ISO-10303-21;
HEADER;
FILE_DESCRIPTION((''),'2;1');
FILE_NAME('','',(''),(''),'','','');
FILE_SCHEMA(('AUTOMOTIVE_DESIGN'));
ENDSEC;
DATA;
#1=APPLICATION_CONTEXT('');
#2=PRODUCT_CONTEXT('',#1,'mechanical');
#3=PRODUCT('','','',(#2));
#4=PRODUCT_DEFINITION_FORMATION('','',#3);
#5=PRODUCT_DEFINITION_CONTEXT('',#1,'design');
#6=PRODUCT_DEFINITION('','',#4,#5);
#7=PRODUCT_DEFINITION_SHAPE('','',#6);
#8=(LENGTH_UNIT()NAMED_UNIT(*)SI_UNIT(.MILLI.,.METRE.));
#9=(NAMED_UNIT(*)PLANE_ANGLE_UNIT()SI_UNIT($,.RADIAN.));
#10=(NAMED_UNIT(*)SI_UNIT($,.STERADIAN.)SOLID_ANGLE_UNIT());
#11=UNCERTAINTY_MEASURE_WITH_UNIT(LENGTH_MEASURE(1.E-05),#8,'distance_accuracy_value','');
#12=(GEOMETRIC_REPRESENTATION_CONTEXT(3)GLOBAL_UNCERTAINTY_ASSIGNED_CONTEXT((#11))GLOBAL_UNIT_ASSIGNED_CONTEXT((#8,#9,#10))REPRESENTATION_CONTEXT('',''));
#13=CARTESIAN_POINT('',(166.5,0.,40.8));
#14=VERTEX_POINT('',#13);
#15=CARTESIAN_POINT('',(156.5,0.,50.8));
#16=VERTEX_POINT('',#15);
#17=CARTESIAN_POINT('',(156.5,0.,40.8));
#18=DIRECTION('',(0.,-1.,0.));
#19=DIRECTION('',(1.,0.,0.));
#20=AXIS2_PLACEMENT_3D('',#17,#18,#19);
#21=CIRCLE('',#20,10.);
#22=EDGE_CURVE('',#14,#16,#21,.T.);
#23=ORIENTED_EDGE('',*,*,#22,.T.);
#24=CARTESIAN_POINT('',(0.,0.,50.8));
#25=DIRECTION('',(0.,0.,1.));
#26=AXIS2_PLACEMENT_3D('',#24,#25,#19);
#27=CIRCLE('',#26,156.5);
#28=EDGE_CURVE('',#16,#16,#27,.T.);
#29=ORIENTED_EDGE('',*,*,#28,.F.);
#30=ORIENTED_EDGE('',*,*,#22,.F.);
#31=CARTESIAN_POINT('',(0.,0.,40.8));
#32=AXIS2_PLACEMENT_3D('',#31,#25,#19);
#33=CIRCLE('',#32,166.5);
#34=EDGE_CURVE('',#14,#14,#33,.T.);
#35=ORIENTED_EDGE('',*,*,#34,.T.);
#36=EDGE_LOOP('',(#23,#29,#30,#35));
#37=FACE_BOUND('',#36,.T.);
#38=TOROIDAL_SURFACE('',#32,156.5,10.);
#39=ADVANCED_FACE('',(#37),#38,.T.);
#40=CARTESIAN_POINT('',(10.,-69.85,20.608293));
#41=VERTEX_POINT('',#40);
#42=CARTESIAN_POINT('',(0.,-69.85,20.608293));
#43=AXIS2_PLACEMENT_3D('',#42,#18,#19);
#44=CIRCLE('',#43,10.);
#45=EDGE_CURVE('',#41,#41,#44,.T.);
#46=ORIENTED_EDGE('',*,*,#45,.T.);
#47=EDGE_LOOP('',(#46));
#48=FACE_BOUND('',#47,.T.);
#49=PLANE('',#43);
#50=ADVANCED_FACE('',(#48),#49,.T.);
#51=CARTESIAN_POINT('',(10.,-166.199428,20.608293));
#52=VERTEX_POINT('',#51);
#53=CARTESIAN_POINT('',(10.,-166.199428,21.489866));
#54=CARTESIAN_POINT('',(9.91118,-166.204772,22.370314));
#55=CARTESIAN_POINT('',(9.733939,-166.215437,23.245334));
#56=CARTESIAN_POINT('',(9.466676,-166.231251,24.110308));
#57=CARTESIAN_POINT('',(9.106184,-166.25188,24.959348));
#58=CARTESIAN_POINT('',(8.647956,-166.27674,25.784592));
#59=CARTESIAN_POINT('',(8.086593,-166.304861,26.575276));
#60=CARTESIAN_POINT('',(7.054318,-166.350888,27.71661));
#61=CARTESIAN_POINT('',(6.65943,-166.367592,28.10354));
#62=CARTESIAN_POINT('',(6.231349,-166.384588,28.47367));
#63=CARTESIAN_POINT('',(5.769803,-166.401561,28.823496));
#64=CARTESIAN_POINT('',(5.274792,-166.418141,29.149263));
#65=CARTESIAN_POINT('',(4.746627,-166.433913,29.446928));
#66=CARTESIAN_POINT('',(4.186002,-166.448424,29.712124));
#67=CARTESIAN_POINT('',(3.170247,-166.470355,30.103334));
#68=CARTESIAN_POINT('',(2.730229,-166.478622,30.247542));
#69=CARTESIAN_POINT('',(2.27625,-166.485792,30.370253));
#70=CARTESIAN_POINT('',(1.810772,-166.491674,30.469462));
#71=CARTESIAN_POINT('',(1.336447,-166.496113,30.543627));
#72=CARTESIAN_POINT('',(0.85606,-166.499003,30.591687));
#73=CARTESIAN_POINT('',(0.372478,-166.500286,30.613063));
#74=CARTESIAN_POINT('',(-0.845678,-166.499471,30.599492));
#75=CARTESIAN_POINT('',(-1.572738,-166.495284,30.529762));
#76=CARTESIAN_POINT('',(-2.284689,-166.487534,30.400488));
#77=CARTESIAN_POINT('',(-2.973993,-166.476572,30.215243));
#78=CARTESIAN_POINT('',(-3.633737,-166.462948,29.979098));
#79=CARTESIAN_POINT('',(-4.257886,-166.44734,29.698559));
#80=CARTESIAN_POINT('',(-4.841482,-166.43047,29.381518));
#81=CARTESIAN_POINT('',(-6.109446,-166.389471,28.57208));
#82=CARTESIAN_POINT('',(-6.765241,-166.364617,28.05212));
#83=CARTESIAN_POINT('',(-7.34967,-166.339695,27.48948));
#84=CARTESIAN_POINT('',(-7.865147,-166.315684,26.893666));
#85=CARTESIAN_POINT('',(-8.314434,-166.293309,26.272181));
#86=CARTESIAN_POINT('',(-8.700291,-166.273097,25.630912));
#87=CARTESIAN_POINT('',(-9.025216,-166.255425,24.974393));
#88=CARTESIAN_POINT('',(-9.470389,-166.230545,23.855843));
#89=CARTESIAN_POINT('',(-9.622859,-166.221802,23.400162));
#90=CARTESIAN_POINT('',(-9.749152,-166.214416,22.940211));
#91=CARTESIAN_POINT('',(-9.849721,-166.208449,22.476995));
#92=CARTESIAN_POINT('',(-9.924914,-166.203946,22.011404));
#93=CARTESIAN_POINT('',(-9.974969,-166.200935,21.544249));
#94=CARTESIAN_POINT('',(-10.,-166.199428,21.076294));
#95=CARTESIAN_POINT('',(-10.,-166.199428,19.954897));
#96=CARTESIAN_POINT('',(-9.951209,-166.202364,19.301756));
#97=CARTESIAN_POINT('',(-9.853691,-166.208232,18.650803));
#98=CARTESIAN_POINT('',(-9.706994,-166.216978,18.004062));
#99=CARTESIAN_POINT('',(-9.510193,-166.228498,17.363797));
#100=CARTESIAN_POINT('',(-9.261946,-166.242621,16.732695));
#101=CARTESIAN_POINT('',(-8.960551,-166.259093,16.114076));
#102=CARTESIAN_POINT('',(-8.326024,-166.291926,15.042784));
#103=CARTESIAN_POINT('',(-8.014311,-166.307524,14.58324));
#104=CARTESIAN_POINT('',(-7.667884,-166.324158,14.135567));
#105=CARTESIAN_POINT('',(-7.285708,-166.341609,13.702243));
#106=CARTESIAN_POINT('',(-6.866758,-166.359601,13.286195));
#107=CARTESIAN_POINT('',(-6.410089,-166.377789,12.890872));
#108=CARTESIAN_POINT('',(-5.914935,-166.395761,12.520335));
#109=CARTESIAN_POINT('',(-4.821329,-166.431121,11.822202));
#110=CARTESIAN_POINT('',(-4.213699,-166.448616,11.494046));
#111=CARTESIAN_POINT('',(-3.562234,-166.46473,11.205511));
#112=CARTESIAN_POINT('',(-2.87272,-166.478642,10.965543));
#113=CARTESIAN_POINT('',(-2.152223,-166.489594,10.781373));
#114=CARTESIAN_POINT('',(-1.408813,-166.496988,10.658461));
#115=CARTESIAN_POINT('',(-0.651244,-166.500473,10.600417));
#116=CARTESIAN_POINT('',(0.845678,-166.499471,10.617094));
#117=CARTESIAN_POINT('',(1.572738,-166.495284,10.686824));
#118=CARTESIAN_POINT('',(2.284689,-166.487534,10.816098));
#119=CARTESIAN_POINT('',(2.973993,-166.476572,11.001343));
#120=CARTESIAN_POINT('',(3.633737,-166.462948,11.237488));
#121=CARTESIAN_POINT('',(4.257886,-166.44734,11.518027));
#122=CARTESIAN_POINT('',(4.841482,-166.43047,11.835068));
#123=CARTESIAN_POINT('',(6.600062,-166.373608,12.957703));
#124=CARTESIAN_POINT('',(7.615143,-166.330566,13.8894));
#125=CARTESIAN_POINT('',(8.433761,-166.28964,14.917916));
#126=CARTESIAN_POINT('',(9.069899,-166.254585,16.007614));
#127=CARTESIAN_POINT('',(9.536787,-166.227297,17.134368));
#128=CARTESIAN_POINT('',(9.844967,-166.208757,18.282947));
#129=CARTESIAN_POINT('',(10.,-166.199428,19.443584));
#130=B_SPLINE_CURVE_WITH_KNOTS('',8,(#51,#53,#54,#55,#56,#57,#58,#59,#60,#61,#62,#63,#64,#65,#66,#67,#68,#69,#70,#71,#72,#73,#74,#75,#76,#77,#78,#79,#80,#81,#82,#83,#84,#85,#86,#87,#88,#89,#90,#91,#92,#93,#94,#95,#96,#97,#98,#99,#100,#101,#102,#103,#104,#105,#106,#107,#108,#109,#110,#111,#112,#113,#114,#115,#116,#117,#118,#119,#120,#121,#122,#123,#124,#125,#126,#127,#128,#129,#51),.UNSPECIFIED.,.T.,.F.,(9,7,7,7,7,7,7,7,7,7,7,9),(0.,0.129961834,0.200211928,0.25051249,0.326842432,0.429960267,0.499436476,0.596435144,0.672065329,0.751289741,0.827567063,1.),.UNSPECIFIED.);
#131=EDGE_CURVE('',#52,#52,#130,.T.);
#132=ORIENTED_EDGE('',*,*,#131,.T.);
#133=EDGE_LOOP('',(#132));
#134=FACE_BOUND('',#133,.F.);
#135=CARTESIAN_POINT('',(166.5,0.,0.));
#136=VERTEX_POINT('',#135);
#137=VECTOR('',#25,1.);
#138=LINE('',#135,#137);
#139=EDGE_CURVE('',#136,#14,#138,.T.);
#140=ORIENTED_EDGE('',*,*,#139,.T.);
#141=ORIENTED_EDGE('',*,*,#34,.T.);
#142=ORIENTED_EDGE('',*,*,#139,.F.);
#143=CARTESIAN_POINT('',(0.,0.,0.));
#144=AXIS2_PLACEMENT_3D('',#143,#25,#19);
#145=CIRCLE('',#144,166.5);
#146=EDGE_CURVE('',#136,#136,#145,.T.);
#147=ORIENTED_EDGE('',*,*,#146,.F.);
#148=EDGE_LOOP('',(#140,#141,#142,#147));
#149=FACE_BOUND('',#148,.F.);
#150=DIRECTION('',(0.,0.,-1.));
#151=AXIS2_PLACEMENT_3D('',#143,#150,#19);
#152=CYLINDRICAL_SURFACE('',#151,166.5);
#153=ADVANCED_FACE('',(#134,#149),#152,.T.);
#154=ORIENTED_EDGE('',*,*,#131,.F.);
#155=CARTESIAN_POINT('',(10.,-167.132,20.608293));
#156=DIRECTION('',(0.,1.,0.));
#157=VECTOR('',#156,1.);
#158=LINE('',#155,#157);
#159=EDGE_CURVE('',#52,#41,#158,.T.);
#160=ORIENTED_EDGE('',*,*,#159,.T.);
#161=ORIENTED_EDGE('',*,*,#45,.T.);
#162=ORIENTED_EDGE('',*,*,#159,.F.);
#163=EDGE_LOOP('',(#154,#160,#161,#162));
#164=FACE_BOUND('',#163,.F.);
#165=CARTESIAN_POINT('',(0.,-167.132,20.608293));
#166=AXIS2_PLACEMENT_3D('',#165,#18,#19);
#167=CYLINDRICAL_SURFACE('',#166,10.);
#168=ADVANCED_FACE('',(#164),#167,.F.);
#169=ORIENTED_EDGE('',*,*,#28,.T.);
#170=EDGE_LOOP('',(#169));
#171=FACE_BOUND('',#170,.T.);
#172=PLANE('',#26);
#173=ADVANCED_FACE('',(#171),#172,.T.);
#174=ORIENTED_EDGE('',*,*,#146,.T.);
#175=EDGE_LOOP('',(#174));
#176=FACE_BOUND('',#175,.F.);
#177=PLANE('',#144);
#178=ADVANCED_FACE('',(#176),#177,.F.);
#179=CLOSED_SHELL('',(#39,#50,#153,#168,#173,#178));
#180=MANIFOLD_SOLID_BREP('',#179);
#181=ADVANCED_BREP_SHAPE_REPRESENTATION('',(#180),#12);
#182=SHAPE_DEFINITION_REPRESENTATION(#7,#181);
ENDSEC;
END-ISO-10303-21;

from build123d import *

# Parameters (mm, degrees)
F0_R     = 166.5
F1_DEPTH = 50.8
F2_R     = 10
F4_R     = 10
F5_DEPTH = 97.282


with BuildPart() as f1:
    # F0 (on Top) → F1 (new body)
    with BuildSketch(Plane.XY):
        Circle(F0_R)
    extrude(amount=F1_DEPTH)

    # F2
    f2_edges = [f1.edges().sort_by_distance(p)[0] for p in [
        (-166.5, 0, 50.8),
    ]]
    fillet(f2_edges, radius=F2_R)

    # F4 (on offset) → F5 (cut)
    with BuildSketch(Plane.XZ.offset(167.132)):
        with Locations((0, 20.608293)):
            Circle(F4_R)
    extrude(amount=-F5_DEPTH, mode=Mode.SUBTRACT)


solid = f1.part
